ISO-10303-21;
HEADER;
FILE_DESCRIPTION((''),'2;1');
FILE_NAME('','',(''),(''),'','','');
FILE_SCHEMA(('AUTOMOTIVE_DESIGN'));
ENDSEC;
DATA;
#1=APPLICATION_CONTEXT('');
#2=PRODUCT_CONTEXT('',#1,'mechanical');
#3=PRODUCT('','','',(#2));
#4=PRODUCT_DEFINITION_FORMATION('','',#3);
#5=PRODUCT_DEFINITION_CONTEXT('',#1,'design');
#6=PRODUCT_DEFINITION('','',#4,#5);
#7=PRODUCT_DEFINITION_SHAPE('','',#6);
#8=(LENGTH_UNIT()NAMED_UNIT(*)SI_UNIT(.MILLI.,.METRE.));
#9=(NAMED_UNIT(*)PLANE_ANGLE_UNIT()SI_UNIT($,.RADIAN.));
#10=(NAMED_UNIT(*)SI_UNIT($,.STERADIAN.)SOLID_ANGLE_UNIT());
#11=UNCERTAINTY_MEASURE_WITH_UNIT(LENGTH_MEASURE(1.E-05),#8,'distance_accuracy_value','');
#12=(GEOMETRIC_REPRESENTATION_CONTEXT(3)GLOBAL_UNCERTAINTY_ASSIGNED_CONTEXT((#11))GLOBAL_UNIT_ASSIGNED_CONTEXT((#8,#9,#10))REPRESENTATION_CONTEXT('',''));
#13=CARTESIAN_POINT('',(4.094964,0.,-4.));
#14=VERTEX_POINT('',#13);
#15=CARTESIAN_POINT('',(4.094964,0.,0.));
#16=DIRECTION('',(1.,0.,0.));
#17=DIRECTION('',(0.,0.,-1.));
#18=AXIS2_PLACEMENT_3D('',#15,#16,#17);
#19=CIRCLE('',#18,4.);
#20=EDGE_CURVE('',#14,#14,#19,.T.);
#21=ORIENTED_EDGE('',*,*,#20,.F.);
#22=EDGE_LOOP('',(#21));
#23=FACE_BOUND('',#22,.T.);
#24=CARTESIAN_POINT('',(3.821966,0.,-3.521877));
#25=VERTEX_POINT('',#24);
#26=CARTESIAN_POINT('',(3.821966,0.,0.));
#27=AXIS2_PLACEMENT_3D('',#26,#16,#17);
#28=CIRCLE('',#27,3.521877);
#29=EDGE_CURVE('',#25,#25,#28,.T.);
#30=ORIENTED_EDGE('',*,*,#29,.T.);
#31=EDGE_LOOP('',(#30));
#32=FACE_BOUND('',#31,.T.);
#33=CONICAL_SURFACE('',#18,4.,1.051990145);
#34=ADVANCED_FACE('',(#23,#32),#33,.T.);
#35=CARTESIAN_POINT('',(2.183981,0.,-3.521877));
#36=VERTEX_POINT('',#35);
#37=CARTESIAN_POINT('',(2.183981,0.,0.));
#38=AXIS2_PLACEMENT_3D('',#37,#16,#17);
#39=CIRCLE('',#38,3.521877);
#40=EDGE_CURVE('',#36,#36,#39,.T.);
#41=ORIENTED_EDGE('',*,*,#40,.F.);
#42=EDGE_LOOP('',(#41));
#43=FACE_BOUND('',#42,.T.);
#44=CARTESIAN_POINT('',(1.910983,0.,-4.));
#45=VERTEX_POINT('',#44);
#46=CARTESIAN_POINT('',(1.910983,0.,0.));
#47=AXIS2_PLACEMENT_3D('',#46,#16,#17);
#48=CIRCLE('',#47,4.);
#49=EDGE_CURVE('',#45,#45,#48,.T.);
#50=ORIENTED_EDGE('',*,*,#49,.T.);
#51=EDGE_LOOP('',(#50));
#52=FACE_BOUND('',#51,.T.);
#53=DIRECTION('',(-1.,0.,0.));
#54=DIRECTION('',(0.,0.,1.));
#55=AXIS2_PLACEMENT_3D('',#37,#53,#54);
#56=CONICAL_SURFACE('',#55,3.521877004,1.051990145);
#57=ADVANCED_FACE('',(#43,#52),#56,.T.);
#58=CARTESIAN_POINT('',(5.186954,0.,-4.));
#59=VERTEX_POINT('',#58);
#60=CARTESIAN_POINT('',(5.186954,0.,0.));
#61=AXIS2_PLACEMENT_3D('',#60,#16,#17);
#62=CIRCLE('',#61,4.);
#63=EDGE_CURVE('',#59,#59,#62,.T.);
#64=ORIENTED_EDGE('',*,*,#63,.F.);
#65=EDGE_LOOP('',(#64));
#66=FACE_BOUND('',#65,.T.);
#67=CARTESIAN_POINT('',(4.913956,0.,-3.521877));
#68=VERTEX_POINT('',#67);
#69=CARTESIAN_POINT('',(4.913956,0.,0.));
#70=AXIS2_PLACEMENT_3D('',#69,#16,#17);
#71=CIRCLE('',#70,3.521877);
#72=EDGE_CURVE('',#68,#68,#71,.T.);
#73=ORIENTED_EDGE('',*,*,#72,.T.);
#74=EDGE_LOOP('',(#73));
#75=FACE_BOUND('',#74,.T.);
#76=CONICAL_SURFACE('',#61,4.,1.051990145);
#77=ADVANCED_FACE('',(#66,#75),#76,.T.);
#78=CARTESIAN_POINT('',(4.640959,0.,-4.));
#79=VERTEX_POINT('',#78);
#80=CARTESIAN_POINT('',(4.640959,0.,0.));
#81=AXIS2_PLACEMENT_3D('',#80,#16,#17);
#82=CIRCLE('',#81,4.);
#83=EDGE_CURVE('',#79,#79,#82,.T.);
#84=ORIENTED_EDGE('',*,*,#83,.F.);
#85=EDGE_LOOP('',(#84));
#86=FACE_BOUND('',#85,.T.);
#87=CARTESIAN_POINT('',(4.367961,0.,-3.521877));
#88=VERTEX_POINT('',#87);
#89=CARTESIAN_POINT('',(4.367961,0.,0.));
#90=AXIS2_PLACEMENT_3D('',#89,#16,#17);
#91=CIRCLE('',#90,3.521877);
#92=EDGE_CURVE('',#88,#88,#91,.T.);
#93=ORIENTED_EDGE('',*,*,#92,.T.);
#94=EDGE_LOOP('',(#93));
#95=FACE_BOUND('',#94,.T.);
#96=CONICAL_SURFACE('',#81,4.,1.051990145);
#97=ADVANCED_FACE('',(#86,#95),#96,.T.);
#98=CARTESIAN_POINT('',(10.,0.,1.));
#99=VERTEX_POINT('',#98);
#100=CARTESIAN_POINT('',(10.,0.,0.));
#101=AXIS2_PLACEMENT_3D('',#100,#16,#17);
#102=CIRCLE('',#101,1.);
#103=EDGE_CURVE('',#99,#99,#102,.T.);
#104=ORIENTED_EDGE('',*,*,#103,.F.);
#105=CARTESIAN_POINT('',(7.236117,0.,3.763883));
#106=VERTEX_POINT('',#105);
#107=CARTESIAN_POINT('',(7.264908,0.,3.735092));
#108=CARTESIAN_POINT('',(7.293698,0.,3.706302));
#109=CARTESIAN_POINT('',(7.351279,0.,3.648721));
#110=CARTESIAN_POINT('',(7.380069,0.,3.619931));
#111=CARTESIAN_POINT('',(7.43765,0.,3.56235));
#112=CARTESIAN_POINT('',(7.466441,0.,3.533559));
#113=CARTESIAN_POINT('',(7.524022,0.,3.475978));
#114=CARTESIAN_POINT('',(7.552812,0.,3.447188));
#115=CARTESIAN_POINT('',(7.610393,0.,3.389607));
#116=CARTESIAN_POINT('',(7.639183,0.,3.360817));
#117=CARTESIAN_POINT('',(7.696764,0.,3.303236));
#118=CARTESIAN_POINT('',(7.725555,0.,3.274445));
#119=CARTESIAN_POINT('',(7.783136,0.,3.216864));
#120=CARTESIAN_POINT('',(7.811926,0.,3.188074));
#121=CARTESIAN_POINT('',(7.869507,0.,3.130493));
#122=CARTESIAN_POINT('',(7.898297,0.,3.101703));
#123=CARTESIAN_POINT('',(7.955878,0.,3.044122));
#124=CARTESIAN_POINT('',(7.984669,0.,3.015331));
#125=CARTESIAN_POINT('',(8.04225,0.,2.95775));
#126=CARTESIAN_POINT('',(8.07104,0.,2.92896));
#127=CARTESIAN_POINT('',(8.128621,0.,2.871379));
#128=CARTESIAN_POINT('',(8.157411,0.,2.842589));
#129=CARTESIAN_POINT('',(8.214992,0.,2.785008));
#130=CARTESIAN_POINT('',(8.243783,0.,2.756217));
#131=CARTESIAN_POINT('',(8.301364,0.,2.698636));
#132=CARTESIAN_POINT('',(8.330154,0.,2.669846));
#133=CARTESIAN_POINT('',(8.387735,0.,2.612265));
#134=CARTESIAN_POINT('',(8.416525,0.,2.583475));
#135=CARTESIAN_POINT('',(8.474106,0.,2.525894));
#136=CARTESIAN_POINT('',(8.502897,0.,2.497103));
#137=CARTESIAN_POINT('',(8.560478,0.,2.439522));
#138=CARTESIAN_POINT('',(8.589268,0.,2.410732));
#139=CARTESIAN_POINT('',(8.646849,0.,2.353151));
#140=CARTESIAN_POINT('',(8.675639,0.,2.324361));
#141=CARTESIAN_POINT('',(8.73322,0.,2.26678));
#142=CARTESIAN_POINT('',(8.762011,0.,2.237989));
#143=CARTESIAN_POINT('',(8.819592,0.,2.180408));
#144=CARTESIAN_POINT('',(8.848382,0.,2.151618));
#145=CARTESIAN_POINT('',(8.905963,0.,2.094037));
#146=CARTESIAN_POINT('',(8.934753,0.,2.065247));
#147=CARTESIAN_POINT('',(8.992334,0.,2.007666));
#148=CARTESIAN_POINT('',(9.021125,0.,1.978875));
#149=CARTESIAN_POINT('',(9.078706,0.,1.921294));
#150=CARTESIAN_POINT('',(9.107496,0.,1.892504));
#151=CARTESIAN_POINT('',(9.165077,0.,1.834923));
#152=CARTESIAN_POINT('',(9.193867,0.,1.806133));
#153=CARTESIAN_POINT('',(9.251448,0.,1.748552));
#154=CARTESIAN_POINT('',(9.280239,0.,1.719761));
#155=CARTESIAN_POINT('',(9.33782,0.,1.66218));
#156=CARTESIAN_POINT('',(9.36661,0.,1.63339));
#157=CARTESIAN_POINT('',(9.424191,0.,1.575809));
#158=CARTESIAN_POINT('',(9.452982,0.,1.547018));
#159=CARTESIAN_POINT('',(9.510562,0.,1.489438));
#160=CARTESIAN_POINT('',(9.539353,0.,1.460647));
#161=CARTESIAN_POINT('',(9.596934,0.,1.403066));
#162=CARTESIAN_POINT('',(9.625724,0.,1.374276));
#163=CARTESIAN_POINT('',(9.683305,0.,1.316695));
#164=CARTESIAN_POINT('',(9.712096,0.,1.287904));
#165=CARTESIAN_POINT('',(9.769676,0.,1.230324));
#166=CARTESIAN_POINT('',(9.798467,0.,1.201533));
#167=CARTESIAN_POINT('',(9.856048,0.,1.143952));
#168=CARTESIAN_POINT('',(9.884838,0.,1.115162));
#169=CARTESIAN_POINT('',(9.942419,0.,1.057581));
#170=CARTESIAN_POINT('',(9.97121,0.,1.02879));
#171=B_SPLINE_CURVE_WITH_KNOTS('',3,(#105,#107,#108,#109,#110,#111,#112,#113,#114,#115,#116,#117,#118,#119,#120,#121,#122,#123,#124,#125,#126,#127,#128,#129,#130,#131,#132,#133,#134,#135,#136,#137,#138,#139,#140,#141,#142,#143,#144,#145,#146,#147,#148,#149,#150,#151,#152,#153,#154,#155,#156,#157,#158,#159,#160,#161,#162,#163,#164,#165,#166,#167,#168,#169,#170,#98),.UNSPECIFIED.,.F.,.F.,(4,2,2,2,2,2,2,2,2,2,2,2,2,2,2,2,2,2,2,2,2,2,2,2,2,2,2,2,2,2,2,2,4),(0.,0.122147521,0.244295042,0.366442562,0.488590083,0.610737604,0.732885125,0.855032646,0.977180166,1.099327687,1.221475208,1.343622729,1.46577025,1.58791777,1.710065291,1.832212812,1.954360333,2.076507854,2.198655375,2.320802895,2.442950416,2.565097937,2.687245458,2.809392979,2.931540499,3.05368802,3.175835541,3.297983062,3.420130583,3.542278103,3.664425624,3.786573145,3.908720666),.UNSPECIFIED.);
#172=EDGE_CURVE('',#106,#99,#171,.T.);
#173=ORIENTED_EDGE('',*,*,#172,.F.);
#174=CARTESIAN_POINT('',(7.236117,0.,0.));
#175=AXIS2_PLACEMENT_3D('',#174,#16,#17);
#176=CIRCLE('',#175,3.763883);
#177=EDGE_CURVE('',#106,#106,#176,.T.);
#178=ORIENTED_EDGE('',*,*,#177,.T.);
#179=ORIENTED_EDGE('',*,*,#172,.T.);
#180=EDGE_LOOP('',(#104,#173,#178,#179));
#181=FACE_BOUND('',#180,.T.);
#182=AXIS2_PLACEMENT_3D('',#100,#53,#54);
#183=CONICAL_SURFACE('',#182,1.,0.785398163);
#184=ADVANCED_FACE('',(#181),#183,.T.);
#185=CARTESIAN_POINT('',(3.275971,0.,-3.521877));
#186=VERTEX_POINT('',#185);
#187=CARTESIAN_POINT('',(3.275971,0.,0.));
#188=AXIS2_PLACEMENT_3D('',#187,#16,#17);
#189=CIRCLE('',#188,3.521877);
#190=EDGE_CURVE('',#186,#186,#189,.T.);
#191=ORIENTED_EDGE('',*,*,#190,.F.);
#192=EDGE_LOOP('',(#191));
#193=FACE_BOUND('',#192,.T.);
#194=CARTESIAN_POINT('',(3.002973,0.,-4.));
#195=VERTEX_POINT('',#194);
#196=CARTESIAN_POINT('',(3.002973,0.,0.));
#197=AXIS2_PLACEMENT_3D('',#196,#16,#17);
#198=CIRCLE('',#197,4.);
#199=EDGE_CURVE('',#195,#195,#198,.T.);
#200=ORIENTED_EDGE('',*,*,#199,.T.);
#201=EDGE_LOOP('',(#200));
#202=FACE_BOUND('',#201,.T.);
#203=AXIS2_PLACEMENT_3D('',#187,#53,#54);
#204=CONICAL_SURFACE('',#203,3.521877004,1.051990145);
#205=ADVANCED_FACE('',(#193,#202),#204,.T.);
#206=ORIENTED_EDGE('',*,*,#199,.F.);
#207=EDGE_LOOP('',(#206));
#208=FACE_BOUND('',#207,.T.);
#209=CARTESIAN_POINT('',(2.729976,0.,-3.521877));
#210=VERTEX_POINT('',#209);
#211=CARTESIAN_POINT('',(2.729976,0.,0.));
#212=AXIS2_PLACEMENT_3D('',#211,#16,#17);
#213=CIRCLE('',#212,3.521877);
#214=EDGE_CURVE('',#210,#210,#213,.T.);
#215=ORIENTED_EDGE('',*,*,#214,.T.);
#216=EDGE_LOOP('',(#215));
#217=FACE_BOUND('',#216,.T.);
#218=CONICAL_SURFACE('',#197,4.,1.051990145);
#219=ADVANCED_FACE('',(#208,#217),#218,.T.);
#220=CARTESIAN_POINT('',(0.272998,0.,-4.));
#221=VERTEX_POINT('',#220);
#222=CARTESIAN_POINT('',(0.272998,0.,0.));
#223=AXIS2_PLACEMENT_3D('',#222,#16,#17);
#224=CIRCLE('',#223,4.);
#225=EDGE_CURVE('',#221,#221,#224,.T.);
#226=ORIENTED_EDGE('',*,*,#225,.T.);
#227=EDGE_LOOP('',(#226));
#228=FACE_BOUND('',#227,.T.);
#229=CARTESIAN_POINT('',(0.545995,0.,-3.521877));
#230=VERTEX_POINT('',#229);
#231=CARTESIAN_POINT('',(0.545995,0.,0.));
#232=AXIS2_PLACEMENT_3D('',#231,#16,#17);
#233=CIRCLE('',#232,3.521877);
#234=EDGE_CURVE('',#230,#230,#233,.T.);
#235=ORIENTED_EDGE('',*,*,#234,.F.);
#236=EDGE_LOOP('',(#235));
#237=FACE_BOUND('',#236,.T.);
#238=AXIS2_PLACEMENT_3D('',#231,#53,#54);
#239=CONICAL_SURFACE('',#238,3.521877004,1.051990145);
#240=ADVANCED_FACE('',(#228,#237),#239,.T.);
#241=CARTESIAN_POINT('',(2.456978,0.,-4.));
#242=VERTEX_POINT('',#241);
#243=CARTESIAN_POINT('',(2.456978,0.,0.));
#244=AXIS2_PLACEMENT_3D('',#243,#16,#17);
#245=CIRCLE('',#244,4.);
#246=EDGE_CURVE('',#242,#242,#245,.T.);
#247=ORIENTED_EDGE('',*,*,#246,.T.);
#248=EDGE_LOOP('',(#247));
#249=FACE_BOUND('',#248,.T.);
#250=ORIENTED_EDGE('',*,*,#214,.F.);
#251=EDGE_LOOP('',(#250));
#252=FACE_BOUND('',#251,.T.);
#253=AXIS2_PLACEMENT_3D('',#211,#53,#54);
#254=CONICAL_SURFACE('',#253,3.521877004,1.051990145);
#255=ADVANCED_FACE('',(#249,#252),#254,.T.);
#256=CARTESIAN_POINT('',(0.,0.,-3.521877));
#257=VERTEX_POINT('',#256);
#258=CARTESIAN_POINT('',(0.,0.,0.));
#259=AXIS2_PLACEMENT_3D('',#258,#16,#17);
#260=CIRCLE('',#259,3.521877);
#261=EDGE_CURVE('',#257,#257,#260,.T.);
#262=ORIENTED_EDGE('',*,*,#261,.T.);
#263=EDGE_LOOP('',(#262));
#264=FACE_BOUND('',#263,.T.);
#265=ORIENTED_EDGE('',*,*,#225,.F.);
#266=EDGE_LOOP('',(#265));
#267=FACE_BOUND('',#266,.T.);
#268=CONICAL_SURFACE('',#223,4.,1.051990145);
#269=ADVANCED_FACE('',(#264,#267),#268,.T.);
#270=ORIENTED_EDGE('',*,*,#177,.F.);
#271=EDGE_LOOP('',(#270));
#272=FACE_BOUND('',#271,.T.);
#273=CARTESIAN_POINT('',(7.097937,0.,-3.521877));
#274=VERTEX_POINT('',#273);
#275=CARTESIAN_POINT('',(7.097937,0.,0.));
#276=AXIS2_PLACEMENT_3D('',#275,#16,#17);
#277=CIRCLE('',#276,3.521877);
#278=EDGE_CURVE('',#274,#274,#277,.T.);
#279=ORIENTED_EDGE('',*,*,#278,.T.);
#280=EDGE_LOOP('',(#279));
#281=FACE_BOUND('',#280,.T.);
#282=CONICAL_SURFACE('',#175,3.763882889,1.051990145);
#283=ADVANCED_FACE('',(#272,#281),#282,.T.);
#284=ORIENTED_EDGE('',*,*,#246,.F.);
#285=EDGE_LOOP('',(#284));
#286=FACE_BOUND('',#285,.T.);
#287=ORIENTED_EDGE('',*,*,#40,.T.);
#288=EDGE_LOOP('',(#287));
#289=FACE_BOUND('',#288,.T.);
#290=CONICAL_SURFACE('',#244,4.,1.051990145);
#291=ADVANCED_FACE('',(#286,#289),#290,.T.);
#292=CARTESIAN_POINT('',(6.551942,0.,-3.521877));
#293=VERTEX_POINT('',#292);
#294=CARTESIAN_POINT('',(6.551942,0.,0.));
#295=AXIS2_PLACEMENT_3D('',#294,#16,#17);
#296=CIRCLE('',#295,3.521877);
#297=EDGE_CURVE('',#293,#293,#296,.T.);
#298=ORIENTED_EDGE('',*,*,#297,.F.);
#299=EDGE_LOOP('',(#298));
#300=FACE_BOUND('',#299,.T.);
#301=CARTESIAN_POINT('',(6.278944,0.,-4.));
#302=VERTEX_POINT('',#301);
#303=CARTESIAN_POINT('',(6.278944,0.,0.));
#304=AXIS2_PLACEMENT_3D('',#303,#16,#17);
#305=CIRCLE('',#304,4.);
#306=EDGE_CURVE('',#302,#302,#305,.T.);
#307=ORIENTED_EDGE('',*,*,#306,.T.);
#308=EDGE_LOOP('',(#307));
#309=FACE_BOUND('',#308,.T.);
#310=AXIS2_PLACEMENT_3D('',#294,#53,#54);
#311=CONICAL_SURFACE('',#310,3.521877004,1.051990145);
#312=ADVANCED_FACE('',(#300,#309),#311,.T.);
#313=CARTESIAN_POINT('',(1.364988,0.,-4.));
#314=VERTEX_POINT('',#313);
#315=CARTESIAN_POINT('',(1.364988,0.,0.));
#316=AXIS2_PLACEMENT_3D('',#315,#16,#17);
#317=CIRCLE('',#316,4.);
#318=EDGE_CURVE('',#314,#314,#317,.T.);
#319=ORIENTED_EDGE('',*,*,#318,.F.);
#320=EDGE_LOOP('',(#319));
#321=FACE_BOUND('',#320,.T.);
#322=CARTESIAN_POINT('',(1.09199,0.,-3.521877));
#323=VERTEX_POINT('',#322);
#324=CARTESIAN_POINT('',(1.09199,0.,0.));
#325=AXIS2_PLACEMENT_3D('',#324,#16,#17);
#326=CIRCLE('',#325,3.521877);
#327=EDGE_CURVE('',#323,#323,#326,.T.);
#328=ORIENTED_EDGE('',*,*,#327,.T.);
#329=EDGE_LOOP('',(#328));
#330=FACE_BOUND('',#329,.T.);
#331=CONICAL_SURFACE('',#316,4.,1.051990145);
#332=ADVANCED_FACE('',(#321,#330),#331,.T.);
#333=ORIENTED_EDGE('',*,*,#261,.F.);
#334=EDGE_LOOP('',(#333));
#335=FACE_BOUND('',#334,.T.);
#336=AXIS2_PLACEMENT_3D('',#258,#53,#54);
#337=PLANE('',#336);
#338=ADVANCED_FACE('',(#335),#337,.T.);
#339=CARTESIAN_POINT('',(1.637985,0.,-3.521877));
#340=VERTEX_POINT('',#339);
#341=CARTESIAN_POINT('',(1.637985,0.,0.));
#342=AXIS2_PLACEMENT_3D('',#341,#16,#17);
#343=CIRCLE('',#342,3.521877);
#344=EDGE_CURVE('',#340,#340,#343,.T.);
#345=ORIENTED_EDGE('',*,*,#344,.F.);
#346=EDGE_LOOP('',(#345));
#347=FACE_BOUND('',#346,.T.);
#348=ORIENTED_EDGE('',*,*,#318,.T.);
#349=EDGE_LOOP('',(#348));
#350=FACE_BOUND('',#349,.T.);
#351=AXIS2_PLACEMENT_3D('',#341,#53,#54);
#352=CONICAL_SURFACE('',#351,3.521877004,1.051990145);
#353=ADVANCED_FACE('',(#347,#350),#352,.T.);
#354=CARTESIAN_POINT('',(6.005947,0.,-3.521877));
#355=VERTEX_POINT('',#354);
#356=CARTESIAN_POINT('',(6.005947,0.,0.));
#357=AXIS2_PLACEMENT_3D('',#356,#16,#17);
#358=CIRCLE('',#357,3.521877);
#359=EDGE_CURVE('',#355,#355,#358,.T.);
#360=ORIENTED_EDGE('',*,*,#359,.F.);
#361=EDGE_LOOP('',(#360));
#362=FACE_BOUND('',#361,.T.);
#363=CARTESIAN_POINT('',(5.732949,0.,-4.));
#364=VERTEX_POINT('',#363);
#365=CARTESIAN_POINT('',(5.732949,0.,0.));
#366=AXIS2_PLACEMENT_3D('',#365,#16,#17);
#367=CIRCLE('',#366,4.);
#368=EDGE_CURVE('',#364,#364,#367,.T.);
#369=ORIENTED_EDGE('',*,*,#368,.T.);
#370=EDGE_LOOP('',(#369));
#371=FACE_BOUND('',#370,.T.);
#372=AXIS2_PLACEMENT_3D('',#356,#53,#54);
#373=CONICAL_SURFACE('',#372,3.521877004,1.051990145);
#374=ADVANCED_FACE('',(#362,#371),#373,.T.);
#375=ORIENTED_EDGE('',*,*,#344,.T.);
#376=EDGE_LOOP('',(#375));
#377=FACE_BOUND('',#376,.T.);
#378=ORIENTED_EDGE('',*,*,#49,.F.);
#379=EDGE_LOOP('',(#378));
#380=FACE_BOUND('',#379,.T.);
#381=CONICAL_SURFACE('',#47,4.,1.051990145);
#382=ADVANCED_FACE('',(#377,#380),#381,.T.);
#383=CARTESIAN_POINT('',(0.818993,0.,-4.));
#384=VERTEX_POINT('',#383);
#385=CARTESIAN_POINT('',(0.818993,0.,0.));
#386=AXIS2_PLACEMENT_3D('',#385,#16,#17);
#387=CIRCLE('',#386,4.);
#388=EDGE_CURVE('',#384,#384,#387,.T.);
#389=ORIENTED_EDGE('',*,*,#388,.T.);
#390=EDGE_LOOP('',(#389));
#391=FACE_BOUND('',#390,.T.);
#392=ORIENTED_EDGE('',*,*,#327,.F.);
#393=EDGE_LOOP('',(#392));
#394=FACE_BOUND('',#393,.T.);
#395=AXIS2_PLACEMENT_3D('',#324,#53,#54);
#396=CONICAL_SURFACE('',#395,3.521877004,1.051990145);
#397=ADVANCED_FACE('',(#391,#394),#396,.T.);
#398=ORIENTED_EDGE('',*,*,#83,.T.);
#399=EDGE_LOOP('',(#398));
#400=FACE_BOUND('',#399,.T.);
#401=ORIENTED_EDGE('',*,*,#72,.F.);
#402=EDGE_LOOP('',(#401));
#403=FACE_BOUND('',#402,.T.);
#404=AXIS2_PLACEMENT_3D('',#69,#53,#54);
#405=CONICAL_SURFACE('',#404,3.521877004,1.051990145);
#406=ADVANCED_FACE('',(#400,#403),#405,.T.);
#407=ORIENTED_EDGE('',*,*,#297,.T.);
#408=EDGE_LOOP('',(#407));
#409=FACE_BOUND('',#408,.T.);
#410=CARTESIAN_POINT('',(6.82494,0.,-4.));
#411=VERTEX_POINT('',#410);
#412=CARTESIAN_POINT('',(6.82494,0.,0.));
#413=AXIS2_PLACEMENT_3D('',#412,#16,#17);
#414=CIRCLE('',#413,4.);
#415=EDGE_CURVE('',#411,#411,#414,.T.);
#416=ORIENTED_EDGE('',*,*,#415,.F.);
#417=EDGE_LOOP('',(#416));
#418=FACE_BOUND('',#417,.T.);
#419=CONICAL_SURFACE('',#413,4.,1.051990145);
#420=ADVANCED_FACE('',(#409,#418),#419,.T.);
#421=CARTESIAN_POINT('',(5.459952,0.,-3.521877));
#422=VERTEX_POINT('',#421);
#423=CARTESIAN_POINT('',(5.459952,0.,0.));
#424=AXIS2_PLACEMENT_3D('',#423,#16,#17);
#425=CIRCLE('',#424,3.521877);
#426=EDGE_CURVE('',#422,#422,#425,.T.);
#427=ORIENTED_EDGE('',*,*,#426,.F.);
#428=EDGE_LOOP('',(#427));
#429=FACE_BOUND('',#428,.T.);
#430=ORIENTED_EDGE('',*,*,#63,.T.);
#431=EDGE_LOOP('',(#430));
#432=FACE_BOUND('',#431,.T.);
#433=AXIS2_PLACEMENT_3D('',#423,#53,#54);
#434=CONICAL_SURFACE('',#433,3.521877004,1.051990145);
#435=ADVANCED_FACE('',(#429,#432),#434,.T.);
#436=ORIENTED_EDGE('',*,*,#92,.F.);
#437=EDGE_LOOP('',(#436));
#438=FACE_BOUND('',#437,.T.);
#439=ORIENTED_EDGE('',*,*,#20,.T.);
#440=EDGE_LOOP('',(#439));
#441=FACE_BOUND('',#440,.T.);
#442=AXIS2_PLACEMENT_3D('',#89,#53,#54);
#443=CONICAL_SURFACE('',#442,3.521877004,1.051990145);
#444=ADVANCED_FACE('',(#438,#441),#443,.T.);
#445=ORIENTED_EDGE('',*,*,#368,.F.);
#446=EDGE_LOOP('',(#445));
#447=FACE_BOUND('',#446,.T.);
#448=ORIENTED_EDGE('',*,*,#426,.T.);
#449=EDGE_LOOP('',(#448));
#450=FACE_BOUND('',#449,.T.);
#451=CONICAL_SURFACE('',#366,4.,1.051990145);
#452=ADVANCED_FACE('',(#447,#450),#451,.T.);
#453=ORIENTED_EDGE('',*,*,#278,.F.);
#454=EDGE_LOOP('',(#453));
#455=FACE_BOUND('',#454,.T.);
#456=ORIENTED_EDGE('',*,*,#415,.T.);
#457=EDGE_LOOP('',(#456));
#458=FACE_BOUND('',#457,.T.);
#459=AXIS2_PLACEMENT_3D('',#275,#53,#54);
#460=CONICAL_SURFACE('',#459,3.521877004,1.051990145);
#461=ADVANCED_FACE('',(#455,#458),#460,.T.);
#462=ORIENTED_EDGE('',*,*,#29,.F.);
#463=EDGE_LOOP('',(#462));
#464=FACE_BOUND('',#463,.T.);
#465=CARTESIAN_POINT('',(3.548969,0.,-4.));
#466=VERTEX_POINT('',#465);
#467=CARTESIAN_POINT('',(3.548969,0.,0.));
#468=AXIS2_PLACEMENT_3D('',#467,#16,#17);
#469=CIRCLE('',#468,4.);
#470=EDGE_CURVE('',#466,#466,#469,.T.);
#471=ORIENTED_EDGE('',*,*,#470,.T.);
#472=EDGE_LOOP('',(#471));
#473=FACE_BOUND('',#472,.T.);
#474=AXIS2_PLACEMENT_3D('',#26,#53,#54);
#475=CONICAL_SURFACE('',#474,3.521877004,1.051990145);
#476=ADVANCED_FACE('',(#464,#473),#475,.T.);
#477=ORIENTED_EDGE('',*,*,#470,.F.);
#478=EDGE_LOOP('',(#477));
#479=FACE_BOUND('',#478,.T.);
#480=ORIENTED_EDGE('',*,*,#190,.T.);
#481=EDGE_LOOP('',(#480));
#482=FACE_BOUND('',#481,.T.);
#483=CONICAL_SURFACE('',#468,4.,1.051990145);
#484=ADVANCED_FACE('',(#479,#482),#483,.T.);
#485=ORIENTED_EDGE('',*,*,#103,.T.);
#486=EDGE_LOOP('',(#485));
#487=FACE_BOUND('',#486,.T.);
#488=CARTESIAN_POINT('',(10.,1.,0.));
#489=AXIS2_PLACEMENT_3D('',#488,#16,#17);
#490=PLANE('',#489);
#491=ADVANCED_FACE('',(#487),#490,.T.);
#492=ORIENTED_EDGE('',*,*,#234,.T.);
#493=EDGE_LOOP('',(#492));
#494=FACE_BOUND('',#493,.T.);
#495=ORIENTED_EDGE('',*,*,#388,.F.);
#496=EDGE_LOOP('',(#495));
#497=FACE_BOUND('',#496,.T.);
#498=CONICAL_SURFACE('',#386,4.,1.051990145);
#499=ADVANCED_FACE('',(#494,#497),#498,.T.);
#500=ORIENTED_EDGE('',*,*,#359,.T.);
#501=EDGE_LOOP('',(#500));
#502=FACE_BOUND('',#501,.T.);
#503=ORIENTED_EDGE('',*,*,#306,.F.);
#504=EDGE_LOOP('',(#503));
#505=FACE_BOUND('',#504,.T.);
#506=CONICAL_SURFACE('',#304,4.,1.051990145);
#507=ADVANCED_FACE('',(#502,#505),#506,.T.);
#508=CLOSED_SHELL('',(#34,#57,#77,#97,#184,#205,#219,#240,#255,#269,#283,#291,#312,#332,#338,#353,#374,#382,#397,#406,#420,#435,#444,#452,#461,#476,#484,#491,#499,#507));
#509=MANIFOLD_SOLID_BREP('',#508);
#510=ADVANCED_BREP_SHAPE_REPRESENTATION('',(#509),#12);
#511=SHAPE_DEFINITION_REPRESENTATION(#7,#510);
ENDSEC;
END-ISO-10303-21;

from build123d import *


with BuildPart() as part:
    # 草图1 → 旋转1 (revolve)
    with BuildSketch(Plane.XY, mode=Mode.PRIVATE) as revolve_1_sk:
        Polygon((10, 0), (0, 0), (0, 3.521877004), (0.272997582, 4), (0.545995165, 3.521877004), (0.818992747, 4), (1.091990329, 3.521877004), (1.364987912, 4), (1.637985494, 3.521877004), (1.910983076, 4), (2.183980659, 3.521877004), (2.456978241, 4), (2.729975823, 3.521877004), (3.002973406, 4), (3.275970988, 3.521877004), (3.548968571, 4), (3.821966153, 3.521877004), (4.094963735, 4), (4.367961318, 3.521877004), (4.6409589, 4), (4.913956482, 3.521877004), (5.186954065, 4), (5.459951647, 3.521877004), (5.732949229, 4), (6.005946812, 3.521877004), (6.278944394, 4), (6.551941976, 3.521877004), (6.824939559, 4), (7.097937141, 3.521877004), (7.236117111, 3.763882889), (10, 1), align=None)
    revolve(revolve_1_sk.sketch.rotate(Axis((10, 0, 0), (1, 0, 0)), 270), axis=Axis((10, 0, 0), (1, 0, 0)))


solid = part.part
